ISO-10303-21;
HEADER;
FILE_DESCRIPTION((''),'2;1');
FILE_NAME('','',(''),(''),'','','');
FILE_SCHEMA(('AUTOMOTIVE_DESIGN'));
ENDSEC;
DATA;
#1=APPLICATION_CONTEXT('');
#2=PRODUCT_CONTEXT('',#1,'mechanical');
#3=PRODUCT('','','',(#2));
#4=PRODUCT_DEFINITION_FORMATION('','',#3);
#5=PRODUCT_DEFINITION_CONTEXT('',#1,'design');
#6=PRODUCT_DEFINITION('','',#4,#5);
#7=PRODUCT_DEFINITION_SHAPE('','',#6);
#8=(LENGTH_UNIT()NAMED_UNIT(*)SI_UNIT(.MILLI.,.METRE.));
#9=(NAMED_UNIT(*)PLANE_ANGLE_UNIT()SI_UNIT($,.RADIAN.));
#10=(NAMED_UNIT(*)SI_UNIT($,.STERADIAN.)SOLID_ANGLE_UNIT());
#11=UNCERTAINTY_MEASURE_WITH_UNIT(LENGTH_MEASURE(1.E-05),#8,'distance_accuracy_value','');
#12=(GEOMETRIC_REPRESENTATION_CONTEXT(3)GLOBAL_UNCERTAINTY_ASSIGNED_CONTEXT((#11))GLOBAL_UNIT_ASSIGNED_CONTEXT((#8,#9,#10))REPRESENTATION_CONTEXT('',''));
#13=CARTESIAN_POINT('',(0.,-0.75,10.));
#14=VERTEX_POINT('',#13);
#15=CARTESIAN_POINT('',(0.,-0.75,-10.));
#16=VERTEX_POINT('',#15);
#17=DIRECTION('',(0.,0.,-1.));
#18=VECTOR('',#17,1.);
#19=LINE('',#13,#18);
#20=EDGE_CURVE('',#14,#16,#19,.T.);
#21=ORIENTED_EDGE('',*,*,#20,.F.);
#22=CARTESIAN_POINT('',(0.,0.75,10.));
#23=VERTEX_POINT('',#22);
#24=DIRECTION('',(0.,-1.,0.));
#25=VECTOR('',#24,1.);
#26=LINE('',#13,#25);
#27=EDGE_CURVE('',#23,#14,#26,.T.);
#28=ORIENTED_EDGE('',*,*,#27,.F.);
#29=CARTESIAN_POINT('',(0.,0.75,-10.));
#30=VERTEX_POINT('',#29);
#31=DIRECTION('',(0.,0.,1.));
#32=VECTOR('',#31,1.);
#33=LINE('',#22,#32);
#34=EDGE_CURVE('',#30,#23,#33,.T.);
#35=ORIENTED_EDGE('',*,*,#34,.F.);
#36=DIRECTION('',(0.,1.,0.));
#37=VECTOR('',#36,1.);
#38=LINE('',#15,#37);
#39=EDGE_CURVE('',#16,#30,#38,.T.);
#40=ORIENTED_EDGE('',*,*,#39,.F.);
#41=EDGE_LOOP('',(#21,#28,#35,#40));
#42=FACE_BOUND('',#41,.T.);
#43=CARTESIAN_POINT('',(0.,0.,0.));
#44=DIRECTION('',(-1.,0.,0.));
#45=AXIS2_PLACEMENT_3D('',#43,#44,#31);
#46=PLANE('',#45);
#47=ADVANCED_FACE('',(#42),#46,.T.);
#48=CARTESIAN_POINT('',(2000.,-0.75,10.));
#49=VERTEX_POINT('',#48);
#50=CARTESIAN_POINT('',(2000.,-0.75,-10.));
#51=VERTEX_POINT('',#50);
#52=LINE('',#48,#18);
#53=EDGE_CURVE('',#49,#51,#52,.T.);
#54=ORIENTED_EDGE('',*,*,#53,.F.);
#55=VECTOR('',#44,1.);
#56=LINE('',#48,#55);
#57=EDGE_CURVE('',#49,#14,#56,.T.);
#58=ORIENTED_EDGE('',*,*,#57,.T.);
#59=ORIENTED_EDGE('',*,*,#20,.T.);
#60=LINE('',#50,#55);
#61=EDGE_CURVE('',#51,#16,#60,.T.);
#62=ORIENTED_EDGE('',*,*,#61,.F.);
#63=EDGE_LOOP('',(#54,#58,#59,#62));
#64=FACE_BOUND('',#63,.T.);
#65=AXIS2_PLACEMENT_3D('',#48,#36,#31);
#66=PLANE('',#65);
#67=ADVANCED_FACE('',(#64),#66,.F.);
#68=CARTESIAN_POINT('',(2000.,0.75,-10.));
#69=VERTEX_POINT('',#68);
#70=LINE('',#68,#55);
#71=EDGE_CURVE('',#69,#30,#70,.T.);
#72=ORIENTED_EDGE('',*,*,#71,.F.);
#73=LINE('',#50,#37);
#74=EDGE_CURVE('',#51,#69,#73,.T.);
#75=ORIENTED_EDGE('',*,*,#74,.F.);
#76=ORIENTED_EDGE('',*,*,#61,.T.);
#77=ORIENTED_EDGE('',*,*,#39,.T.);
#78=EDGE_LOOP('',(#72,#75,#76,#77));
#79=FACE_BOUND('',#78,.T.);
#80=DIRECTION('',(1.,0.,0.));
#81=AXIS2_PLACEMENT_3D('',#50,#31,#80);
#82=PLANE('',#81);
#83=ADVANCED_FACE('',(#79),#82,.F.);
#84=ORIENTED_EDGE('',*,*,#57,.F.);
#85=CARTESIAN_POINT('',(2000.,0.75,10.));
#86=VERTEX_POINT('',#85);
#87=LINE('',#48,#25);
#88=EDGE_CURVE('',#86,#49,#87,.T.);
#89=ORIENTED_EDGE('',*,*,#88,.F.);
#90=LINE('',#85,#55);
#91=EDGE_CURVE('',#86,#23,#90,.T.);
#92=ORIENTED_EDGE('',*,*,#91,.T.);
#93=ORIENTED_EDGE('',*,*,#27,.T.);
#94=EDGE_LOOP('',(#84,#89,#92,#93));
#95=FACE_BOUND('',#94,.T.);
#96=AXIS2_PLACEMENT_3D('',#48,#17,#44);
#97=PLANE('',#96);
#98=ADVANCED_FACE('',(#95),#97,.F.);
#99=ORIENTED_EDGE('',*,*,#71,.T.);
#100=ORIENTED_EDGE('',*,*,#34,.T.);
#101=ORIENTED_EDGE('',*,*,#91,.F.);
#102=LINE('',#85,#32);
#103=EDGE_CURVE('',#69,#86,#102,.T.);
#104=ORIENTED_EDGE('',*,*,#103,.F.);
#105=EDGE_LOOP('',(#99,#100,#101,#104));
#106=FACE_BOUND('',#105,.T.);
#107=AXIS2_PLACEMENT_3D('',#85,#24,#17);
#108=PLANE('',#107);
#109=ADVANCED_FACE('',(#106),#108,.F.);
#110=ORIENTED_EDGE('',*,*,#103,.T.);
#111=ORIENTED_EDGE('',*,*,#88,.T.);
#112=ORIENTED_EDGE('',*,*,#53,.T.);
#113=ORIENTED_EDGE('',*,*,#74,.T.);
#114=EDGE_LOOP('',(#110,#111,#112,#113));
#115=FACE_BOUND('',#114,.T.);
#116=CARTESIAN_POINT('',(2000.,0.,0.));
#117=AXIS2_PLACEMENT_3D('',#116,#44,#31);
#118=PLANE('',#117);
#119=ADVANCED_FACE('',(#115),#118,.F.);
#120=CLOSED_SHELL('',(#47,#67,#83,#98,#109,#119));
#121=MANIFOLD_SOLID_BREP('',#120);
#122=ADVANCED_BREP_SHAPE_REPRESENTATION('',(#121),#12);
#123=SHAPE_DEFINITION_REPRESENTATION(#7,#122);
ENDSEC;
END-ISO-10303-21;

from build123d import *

# Parameters (mm, degrees)
SKETCH_1_W      = 20
SKETCH_1_H      = 1.5
EXTRUDE_1_DEPTH = 2000


with BuildPart() as part:
    # Эскиз1 → Бобышка-Вытянуть1 (new body)
    with BuildSketch(Plane(origin=(0, 0, 0), x_dir=(0, 0, -1), z_dir=(1, 0, 0))):
        Rectangle(SKETCH_1_W, SKETCH_1_H)
    extrude(amount=EXTRUDE_1_DEPTH)


solid = part.part
